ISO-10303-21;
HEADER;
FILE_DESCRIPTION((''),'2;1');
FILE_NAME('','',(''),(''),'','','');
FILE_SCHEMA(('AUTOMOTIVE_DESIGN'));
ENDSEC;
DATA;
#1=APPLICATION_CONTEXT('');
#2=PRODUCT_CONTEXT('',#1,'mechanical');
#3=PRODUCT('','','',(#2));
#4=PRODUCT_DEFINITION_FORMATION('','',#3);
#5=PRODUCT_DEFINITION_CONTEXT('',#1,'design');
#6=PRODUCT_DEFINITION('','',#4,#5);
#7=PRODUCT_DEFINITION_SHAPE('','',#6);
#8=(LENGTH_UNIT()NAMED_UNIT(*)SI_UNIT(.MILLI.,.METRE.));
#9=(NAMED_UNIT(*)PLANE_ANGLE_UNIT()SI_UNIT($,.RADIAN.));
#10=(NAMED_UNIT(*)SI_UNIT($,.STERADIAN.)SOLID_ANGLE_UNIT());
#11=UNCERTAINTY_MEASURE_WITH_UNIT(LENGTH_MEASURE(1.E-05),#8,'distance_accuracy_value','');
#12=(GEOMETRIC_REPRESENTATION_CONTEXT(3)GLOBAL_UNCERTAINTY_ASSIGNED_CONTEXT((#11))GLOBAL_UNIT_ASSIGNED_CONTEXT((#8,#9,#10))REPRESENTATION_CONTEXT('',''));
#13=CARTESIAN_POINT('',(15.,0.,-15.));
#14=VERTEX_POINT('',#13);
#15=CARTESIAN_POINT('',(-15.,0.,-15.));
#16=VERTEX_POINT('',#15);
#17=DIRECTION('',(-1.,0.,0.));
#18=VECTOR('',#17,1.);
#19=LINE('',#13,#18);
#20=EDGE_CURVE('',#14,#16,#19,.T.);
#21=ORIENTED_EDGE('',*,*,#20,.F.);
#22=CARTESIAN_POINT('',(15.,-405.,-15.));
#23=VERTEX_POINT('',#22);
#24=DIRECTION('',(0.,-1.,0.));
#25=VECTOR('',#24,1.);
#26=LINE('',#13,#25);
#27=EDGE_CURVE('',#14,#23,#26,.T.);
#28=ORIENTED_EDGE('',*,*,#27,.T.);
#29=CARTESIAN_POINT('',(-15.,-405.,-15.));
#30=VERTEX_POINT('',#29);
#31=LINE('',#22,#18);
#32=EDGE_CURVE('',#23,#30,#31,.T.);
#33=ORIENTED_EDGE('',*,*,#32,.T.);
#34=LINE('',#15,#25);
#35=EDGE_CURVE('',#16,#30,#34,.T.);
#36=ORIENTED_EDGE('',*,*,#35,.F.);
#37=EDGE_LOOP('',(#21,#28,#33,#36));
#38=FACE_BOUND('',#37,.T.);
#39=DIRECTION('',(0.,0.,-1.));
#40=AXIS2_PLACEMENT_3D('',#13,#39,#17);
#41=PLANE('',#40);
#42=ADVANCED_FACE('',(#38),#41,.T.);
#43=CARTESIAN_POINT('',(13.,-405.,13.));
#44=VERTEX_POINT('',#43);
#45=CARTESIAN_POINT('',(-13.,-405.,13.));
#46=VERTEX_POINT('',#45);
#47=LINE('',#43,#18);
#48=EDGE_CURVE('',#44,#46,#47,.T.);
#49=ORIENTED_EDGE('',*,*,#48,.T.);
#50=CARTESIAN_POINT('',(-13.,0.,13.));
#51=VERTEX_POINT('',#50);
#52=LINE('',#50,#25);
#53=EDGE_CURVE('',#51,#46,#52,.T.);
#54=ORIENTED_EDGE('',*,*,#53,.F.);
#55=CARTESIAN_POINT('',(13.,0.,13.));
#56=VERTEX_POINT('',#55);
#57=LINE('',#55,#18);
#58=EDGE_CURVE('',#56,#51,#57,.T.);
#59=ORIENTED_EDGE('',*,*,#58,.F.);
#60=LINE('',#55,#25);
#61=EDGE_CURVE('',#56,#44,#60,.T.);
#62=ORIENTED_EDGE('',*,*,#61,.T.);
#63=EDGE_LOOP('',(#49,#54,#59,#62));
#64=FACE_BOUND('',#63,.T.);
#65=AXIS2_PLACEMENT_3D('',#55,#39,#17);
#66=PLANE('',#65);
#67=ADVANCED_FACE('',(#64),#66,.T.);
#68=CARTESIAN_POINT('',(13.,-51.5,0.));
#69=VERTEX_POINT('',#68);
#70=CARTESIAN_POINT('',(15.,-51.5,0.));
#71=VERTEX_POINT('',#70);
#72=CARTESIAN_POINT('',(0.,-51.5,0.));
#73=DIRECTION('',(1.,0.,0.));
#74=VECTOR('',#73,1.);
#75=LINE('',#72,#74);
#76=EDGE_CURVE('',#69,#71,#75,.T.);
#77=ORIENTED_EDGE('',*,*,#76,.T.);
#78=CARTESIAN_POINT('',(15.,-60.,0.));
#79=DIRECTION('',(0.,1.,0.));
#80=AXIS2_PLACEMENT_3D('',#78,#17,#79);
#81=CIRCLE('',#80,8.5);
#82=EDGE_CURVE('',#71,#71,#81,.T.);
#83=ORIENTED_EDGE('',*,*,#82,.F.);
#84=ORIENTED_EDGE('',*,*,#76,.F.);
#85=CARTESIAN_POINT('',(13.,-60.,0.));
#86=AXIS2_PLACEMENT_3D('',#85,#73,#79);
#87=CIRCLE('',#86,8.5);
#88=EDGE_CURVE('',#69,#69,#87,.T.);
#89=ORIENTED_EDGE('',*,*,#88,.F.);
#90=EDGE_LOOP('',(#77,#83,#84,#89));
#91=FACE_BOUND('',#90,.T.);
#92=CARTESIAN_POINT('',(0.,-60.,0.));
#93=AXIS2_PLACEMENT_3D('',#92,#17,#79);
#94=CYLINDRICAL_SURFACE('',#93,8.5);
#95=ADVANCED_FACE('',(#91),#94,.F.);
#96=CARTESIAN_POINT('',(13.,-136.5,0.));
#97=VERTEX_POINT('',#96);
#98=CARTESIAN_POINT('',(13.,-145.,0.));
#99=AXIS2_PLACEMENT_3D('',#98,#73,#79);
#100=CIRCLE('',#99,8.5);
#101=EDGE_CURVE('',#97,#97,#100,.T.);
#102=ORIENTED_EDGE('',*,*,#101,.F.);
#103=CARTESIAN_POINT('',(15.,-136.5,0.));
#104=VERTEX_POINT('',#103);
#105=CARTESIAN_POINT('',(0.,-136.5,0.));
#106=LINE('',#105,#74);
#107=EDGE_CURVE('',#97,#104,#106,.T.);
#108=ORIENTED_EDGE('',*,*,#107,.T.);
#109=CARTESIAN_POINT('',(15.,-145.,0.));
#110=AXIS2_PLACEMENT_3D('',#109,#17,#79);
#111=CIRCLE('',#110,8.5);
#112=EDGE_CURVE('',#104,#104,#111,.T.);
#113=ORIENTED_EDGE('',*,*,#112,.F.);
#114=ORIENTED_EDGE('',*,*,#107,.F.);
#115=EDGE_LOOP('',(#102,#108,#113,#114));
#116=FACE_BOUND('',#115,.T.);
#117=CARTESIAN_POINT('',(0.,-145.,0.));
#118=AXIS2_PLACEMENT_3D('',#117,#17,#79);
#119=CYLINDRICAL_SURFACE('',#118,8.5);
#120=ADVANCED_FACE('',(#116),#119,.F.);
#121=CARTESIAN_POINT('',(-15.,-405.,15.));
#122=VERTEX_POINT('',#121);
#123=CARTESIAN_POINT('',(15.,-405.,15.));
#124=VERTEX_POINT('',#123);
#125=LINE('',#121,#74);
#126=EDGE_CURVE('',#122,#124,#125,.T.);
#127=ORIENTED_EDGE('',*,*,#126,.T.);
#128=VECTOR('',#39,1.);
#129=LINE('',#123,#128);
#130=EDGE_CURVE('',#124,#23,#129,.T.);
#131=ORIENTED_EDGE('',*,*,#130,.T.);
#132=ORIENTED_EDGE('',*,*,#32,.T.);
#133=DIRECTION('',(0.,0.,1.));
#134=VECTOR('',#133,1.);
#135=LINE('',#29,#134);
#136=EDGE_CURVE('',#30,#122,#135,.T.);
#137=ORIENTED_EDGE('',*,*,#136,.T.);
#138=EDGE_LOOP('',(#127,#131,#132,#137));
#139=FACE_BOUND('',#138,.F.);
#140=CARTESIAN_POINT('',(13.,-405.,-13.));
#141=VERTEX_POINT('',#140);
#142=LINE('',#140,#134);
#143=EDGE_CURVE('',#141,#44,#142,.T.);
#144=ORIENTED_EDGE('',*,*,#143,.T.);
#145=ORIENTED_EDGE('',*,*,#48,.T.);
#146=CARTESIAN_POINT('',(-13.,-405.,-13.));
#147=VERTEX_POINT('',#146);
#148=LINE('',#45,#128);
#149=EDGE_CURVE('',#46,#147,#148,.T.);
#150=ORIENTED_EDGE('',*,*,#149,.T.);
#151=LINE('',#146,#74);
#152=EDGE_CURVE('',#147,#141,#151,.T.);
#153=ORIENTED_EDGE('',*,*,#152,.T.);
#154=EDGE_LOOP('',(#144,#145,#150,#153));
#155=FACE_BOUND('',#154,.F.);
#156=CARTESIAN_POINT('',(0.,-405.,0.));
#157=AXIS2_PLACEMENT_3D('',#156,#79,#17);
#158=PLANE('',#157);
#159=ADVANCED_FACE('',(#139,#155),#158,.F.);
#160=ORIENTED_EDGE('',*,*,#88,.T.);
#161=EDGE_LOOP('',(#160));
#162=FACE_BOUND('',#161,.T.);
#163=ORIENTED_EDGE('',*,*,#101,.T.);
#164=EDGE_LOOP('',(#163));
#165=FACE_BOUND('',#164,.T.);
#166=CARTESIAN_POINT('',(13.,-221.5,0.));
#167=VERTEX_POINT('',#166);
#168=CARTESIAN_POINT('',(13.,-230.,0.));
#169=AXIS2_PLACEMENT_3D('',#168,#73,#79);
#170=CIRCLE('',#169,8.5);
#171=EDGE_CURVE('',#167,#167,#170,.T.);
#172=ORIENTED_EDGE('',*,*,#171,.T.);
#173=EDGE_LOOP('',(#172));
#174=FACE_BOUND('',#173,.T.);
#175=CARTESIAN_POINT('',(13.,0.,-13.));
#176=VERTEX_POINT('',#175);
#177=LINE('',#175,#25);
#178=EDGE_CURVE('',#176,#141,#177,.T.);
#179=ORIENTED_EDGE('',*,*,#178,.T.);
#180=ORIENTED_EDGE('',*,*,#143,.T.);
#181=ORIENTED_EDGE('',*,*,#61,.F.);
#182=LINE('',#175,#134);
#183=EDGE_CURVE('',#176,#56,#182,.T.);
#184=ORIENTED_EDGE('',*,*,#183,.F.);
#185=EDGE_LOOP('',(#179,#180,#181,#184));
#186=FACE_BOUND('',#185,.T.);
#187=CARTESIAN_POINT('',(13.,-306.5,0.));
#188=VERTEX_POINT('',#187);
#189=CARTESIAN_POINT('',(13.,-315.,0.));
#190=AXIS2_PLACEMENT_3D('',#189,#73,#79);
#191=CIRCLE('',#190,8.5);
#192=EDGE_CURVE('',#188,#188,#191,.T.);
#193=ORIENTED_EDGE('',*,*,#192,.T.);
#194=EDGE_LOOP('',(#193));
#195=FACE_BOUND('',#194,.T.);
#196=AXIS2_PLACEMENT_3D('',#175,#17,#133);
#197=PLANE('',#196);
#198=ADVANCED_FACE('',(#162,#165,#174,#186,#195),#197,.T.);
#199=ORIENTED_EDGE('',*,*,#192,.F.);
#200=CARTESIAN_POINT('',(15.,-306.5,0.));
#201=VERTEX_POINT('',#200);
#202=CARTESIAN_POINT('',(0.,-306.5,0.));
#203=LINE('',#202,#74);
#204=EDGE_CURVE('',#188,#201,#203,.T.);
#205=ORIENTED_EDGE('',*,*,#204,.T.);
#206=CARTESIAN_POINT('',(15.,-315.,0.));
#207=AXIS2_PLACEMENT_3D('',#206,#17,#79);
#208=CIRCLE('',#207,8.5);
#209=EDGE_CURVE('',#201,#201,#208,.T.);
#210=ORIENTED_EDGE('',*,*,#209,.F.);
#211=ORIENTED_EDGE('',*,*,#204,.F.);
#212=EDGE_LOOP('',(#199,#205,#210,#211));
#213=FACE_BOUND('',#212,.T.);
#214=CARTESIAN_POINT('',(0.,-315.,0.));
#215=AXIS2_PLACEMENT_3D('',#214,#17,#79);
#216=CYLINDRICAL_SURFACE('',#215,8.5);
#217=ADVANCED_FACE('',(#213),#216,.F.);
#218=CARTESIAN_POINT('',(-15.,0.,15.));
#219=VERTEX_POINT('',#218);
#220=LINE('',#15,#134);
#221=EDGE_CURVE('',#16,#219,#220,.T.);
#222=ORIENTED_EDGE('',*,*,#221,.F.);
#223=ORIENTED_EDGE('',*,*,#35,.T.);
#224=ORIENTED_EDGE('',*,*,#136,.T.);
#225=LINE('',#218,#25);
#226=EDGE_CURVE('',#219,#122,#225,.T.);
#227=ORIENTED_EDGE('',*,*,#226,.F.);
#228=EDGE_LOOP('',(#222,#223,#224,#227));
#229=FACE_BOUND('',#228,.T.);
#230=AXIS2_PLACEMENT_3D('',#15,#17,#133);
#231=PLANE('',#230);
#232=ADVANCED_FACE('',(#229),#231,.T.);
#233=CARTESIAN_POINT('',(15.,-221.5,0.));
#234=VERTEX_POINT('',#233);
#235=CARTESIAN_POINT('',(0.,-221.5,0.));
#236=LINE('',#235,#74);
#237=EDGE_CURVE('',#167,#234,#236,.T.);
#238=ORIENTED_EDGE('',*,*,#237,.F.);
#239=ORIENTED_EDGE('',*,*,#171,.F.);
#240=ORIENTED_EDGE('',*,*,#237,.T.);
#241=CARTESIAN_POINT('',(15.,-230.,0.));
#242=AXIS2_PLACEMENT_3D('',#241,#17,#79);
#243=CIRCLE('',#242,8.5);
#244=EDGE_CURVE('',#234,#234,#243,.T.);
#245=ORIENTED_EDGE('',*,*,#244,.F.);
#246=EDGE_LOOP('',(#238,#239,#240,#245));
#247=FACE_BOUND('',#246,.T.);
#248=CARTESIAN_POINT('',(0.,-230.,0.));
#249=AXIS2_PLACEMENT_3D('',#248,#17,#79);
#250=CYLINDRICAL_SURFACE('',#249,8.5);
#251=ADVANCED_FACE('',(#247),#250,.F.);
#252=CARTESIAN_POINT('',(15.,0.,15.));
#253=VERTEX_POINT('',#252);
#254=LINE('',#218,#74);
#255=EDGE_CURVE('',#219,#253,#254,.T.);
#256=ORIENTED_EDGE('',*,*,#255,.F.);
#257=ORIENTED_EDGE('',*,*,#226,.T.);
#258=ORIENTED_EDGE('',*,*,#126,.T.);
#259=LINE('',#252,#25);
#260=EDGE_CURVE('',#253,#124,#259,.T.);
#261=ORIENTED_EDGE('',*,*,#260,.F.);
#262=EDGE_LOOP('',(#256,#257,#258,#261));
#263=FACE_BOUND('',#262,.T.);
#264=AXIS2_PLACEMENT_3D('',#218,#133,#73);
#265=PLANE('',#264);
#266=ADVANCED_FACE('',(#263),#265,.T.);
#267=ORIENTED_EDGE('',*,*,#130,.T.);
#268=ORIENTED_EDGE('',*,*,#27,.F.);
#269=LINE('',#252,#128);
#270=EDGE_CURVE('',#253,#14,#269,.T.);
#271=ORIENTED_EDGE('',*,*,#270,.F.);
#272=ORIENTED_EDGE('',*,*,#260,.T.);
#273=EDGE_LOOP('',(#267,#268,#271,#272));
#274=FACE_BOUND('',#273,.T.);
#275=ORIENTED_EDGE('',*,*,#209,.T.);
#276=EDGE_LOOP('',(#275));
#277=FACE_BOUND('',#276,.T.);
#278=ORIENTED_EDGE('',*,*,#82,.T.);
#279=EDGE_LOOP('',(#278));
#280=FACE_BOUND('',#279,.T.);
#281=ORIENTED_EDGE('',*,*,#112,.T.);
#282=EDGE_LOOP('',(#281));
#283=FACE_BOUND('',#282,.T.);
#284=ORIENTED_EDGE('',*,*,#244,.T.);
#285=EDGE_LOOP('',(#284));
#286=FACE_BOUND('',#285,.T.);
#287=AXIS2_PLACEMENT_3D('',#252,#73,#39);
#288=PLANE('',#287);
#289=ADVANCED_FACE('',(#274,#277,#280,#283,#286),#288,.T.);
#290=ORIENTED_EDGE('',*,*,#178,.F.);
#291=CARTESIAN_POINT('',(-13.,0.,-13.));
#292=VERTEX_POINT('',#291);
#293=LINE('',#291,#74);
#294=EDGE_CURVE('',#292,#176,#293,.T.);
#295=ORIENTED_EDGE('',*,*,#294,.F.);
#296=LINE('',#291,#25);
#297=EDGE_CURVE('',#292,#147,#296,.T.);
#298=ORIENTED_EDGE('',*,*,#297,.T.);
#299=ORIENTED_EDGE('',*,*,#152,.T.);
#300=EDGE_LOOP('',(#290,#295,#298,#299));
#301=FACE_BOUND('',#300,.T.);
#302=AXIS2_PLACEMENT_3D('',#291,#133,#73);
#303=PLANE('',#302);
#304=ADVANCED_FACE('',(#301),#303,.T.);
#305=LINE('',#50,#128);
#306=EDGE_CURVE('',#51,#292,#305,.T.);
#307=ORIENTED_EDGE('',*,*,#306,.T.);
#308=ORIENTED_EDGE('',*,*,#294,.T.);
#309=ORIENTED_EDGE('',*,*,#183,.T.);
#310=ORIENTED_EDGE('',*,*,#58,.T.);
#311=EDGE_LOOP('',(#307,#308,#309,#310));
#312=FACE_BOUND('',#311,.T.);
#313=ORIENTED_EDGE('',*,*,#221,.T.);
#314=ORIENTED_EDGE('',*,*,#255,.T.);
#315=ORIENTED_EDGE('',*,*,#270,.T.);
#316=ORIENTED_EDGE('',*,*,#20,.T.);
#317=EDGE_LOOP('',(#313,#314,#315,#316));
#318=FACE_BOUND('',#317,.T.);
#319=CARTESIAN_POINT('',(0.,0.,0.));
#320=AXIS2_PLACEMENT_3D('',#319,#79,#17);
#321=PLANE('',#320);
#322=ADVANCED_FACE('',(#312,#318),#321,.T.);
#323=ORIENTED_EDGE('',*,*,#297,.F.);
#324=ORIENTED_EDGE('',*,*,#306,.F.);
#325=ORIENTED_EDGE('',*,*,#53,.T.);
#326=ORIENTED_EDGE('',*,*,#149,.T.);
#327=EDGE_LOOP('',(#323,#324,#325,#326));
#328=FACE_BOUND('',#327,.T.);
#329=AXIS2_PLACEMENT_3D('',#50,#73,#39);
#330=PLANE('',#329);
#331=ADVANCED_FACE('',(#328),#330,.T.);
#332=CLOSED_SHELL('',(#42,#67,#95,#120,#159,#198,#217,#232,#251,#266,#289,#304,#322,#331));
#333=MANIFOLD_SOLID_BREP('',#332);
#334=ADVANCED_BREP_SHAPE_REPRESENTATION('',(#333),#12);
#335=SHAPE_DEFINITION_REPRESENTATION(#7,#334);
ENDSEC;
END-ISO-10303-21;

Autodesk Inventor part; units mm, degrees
ref_plane "YZ Plane" through (0, 0, 0) normal (1, 0, 0) x (0, 1, 0)
ref_plane "XZ Plane" through (0, 0, 0) normal (0, 1, 0) x (-1, 0, 0)
ref_plane "XY Plane" through (0, 0, 0) normal (0, 0, 1) x (1, 0, 0)
sketch "Sketch9" plane through (0, 0, 0) normal (0, 1, 0) x (-1, 0, 0)
  line L0 (15, 15) -> (-15, 15)
  line L1 (-15, 15) -> (-15, -15)
  line L2 (-15, -15) -> (15, -15)
  line L3 (15, -15) -> (15, 15)
  line L4 (15, 15) -> (-15, -15) construction
  line L5 (-15, 15) -> (15, -15) construction
  line L6 (-13, 13) -> (13, 13)
  line L7 (13, 13) -> (13, -13)
  line L8 (13, -13) -> (-13, -13)
  line L9 (-13, -13) -> (-13, 13)
  point P0 (0, 0)
  dimension "d172" = 30
  dimension "d173" = 30
  dimension "d174" = 2
extrude "Extrusion3" add sketch "Sketch9" against normal blind 405
sketch "Sketch10" plane through (0, 0, 0) normal (1, 0, 0) x (0, 1, 0)
  line L0 (0, 15) -> (0, -15) construction
  line L1 (0, 15) -> (-405, 15) construction
  line L2 (-405, -15) -> (-405, 15) construction
  line L3 (0, -15) -> (-405, -15) construction
  line L4 (-68.5, 8.5) -> (-51.5, 8.5)
  line L5 (-51.5, 8.5) -> (-51.5, -8.5)
  line L6 (-51.5, -8.5) -> (-68.5, -8.5)
  line L7 (-68.5, -8.5) -> (-68.5, 8.5)
  line L8 (-68.5, 8.5) -> (-51.5, -8.5) construction
  line L9 (-51.5, 8.5) -> (-68.5, -8.5) construction
  line L10 (0, 0) -> (30, 0)
  circle A0 centre (-60, 0) radius 8.5
  dimension "d177" = 17
  dimension "d178" = 17
  dimension "d181" = 30
  dimension "d182" = 90
extrude "Extrusion4" cut sketch "Sketch10" along normal through all contours A0
pattern_linear "Rectangular Pattern4" count 4 spacing 85 along (0, -1, 0) of "Extrusion4"
properties part number "PRS 8661 FDS 1000 way tube 1_940" material "Stainless Steel"
